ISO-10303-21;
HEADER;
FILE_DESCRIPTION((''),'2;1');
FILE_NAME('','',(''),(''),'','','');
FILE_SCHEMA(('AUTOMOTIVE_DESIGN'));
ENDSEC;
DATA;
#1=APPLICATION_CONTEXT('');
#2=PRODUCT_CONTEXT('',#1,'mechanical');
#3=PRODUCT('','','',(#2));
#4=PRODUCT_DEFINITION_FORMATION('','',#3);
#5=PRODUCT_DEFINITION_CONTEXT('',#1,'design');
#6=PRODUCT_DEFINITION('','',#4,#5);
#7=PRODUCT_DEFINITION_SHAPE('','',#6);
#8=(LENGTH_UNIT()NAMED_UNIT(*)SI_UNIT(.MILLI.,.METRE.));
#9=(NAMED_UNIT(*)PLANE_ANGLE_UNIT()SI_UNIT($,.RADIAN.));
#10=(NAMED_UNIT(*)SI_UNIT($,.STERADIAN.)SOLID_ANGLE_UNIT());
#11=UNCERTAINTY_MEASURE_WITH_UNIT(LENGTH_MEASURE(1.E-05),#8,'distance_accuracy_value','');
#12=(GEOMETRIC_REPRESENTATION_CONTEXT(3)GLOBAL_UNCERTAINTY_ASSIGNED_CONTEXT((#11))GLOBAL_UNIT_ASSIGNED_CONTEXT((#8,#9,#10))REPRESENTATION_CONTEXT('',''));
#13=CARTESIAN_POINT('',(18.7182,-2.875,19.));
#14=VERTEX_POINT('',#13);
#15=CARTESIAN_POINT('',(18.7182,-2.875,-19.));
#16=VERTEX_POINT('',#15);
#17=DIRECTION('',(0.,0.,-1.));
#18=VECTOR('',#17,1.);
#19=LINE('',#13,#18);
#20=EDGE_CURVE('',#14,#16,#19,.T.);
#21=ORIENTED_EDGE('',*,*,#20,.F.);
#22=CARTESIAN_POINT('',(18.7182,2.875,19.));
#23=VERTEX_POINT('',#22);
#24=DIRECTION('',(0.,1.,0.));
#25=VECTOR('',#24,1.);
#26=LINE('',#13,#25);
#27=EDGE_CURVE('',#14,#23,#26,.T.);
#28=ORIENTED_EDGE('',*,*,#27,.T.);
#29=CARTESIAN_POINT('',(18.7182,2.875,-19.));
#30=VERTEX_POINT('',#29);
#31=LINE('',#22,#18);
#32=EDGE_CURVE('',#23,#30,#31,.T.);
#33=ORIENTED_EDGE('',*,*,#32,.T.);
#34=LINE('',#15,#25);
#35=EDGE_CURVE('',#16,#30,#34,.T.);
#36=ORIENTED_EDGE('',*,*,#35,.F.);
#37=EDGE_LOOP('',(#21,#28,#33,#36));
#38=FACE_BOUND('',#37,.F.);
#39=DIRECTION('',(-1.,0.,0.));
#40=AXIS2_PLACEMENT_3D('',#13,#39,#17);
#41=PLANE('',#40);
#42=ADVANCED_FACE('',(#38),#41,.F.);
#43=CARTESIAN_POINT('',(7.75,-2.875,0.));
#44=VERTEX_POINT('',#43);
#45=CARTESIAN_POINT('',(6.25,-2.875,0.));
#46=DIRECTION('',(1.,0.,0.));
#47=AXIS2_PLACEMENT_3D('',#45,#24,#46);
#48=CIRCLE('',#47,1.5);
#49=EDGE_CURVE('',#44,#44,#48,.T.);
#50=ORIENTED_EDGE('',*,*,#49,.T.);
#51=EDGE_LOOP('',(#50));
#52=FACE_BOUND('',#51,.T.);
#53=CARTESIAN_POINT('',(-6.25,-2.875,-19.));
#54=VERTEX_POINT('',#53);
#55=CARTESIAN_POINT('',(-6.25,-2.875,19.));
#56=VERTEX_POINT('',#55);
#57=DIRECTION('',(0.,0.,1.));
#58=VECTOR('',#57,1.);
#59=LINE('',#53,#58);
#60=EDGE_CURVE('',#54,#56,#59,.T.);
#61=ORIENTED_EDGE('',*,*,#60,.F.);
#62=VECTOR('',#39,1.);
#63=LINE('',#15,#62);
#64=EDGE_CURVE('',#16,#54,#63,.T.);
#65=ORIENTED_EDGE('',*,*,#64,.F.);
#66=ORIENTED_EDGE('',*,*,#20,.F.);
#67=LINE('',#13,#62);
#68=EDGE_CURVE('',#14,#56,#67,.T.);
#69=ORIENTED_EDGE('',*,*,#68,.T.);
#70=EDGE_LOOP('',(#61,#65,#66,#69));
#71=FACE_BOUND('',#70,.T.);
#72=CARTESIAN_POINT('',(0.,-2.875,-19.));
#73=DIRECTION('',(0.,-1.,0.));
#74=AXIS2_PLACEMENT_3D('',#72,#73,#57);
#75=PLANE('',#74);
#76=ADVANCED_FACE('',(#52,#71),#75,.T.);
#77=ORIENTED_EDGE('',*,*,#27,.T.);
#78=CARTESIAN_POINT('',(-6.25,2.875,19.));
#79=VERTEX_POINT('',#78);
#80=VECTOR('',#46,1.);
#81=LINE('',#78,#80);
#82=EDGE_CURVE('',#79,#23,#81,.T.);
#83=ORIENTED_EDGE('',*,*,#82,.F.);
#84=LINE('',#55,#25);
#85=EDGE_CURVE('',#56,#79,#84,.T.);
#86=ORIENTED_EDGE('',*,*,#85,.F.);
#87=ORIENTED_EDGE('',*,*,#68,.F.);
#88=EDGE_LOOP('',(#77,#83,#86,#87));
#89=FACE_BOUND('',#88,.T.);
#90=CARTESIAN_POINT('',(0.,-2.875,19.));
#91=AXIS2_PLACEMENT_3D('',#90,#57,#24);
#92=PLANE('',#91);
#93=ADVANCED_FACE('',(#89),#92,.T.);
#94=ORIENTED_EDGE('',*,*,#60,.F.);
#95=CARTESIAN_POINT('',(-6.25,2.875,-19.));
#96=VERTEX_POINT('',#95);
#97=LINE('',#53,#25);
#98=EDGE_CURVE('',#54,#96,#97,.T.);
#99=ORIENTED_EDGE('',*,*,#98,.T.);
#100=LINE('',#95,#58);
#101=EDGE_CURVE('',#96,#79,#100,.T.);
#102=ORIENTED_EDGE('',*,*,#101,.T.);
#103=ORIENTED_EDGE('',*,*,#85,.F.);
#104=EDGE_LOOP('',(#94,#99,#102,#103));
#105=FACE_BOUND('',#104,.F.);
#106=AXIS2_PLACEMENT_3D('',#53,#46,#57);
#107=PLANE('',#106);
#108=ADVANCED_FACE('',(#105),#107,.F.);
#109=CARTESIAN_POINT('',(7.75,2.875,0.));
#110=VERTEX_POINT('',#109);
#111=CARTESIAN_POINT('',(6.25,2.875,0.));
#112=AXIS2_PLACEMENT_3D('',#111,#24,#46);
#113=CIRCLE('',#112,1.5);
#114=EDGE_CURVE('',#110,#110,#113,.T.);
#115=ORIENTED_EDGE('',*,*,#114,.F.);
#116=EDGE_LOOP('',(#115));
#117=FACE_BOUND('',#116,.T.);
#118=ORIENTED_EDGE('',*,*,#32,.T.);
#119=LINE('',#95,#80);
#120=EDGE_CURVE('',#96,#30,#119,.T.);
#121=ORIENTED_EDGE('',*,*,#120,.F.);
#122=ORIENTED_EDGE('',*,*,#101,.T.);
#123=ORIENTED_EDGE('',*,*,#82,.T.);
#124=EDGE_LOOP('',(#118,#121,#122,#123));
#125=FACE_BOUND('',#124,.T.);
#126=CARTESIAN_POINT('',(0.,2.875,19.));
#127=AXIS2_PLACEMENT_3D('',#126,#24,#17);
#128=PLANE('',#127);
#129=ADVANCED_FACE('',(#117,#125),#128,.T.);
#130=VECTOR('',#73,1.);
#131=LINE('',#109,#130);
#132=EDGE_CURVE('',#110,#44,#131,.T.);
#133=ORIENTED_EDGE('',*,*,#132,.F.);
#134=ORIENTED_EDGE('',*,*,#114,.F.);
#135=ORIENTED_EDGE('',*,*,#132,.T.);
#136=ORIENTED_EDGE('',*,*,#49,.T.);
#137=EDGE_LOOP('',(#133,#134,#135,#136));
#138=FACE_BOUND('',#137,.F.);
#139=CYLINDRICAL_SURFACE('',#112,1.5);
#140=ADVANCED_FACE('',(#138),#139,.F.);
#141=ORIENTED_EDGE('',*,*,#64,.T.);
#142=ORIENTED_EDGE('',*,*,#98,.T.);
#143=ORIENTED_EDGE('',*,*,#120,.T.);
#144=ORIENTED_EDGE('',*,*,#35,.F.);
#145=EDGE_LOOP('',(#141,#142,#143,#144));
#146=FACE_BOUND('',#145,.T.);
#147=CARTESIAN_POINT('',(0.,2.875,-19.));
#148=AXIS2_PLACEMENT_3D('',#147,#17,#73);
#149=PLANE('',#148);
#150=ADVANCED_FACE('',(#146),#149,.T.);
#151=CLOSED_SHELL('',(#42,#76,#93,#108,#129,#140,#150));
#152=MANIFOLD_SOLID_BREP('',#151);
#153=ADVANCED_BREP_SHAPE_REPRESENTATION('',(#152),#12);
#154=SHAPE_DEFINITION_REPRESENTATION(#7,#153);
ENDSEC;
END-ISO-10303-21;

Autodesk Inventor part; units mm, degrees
ref_plane "YZ Plane" through (0, 0, 0) normal (1, 0, 0) x (0, 1, 0)
ref_plane "XZ Plane" through (0, 0, 0) normal (0, 1, 0) x (-1, 0, 0)
ref_plane "XY Plane" through (0, 0, 0) normal (0, 0, 1) x (1, 0, 0)
sketch "Sketch1" plane through (0, 0, 0) normal (1, 0, 0) x (0, 1, 0)
  line L0 (2.875, -19) -> (-2.875, -19)
  line L1 (-2.875, -19) -> (-2.875, 19)
  line L2 (-2.875, 19) -> (2.875, 19)
  line L3 (2.875, 19) -> (2.875, -19)
  line L4 (2.875, -19) -> (-2.875, 19) construction
  line L5 (-2.875, -19) -> (2.875, 19) construction
  point P0 (0, 0)
  dimension "d0" = 5.75
  dimension "d1" = 38
extrude "Extrusion1" add sketch "Sketch1" along normal blind 12.5
sketch "Sketch2" plane through (0, 2.875, 19) normal (0, 1, 0) x (1, 0, 0)
  circle A0 centre (6.25, 19) radius 1.5
  point P0 (0, 19)
  dimension "d4" = 3
extrude "Extrusion2" cut sketch "Sketch2" against normal blind 12.5
sketch "Sketch3" plane through (12.5, 0, 0) normal (1, 0, 0) x (0, 0, -1)
  point P0 (0, 0)
sketch "Sketch4" plane through (0, -2.875, -19) normal (0, -1, 0) x (1, 0, 0)
  line L0 (0, 0) -> (0, 38) projected
  line L1 (0, 0) -> (-6.25, 0)
  line L2 (-6.25, 0) -> (-6.25, 38)
  line L3 (-6.25, 38) -> (0, 38)
  line L4 (0, 38) -> (0, 0)
  line L5 (12.4682, 38) -> (18.7182, 38)
  line L6 (18.7182, 38) -> (18.7182, 0)
  line L7 (18.7182, 0) -> (12.4682, 0)
  line L8 (12.4682, 0) -> (12.4682, 38)
  point P0 (0, 19)
  dimension "d7" = 6.25
  dimension "d8" = 6.25
extrude "Extrusion3" add sketch "Sketch4" against normal up to surface (5.75 mm away)
properties part number "servoArm"
